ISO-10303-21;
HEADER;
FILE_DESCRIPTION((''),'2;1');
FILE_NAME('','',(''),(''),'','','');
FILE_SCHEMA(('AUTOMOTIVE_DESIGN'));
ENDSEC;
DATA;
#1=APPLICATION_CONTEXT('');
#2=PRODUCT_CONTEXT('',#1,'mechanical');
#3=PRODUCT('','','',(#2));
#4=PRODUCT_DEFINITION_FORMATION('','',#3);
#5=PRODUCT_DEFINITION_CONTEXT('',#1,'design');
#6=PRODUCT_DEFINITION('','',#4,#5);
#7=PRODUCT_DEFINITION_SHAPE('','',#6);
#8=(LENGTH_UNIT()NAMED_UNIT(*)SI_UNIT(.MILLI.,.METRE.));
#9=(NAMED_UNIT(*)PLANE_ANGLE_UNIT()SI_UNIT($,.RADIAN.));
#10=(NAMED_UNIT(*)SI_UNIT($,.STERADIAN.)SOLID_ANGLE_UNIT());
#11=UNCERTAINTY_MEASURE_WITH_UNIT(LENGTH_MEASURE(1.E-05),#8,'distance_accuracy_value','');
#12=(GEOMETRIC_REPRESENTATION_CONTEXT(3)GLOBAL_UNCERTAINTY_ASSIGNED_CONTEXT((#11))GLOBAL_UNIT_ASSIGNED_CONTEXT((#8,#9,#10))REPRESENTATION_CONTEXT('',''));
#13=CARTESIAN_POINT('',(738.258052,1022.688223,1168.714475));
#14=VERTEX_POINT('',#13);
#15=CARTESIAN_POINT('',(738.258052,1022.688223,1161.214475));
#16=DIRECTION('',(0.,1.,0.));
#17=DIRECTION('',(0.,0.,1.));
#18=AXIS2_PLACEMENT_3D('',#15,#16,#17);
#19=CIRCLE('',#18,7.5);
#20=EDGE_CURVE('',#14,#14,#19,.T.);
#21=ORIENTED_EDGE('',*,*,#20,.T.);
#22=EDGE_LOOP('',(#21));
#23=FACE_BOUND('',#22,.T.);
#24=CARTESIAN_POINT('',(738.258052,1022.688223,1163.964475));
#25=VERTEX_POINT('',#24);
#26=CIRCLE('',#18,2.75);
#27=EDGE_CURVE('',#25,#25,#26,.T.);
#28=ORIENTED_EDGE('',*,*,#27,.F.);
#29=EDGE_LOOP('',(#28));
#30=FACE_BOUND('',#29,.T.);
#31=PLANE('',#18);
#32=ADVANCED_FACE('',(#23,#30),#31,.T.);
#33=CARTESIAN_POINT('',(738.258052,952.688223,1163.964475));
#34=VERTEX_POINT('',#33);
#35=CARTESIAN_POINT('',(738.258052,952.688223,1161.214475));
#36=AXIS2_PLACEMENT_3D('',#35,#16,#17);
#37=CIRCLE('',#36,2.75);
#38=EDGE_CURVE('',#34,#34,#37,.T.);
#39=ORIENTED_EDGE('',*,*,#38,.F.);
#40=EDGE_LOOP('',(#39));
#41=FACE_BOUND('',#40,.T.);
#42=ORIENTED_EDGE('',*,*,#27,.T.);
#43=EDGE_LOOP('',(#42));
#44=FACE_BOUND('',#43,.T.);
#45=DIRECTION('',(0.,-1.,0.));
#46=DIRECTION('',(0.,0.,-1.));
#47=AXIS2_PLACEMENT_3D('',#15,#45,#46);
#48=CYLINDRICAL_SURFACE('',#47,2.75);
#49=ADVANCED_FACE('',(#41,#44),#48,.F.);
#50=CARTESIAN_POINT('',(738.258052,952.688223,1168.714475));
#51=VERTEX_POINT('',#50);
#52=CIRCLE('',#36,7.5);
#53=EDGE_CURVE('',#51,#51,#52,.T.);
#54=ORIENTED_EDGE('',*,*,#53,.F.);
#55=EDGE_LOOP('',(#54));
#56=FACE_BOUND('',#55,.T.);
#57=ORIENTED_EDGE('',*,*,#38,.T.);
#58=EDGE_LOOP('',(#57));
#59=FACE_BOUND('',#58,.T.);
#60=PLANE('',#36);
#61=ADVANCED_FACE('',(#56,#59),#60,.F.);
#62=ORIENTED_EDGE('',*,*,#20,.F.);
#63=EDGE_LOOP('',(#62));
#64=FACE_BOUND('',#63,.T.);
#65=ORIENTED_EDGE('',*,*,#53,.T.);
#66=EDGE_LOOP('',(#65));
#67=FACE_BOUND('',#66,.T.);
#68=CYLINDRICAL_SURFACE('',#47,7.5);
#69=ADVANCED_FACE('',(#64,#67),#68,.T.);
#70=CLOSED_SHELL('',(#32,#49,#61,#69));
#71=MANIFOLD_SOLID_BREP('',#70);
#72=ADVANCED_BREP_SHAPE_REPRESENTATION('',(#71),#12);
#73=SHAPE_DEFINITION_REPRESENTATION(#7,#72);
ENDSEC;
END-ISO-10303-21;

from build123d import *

# Parameters (mm, degrees)
SKETCH1_R           = 7.5
SKETCH1_R_2         = 2.75
BOSS_EXTRUDE1_DEPTH = 70


with BuildPart() as part:
    # Sketch1 → Boss-Extrude1 (new body)
    with BuildSketch(Plane(origin=(0, 952.688222755, 0), x_dir=(1, 0, 0), z_dir=(0, 1, 0))):
        with Locations((738.258051733, -1161.214475077)):
            Circle(SKETCH1_R)
        with Locations((738.258051733, -1161.214475077)):
            Circle(SKETCH1_R_2, mode=Mode.SUBTRACT)
    extrude(amount=BOSS_EXTRUDE1_DEPTH)


solid = part.part
